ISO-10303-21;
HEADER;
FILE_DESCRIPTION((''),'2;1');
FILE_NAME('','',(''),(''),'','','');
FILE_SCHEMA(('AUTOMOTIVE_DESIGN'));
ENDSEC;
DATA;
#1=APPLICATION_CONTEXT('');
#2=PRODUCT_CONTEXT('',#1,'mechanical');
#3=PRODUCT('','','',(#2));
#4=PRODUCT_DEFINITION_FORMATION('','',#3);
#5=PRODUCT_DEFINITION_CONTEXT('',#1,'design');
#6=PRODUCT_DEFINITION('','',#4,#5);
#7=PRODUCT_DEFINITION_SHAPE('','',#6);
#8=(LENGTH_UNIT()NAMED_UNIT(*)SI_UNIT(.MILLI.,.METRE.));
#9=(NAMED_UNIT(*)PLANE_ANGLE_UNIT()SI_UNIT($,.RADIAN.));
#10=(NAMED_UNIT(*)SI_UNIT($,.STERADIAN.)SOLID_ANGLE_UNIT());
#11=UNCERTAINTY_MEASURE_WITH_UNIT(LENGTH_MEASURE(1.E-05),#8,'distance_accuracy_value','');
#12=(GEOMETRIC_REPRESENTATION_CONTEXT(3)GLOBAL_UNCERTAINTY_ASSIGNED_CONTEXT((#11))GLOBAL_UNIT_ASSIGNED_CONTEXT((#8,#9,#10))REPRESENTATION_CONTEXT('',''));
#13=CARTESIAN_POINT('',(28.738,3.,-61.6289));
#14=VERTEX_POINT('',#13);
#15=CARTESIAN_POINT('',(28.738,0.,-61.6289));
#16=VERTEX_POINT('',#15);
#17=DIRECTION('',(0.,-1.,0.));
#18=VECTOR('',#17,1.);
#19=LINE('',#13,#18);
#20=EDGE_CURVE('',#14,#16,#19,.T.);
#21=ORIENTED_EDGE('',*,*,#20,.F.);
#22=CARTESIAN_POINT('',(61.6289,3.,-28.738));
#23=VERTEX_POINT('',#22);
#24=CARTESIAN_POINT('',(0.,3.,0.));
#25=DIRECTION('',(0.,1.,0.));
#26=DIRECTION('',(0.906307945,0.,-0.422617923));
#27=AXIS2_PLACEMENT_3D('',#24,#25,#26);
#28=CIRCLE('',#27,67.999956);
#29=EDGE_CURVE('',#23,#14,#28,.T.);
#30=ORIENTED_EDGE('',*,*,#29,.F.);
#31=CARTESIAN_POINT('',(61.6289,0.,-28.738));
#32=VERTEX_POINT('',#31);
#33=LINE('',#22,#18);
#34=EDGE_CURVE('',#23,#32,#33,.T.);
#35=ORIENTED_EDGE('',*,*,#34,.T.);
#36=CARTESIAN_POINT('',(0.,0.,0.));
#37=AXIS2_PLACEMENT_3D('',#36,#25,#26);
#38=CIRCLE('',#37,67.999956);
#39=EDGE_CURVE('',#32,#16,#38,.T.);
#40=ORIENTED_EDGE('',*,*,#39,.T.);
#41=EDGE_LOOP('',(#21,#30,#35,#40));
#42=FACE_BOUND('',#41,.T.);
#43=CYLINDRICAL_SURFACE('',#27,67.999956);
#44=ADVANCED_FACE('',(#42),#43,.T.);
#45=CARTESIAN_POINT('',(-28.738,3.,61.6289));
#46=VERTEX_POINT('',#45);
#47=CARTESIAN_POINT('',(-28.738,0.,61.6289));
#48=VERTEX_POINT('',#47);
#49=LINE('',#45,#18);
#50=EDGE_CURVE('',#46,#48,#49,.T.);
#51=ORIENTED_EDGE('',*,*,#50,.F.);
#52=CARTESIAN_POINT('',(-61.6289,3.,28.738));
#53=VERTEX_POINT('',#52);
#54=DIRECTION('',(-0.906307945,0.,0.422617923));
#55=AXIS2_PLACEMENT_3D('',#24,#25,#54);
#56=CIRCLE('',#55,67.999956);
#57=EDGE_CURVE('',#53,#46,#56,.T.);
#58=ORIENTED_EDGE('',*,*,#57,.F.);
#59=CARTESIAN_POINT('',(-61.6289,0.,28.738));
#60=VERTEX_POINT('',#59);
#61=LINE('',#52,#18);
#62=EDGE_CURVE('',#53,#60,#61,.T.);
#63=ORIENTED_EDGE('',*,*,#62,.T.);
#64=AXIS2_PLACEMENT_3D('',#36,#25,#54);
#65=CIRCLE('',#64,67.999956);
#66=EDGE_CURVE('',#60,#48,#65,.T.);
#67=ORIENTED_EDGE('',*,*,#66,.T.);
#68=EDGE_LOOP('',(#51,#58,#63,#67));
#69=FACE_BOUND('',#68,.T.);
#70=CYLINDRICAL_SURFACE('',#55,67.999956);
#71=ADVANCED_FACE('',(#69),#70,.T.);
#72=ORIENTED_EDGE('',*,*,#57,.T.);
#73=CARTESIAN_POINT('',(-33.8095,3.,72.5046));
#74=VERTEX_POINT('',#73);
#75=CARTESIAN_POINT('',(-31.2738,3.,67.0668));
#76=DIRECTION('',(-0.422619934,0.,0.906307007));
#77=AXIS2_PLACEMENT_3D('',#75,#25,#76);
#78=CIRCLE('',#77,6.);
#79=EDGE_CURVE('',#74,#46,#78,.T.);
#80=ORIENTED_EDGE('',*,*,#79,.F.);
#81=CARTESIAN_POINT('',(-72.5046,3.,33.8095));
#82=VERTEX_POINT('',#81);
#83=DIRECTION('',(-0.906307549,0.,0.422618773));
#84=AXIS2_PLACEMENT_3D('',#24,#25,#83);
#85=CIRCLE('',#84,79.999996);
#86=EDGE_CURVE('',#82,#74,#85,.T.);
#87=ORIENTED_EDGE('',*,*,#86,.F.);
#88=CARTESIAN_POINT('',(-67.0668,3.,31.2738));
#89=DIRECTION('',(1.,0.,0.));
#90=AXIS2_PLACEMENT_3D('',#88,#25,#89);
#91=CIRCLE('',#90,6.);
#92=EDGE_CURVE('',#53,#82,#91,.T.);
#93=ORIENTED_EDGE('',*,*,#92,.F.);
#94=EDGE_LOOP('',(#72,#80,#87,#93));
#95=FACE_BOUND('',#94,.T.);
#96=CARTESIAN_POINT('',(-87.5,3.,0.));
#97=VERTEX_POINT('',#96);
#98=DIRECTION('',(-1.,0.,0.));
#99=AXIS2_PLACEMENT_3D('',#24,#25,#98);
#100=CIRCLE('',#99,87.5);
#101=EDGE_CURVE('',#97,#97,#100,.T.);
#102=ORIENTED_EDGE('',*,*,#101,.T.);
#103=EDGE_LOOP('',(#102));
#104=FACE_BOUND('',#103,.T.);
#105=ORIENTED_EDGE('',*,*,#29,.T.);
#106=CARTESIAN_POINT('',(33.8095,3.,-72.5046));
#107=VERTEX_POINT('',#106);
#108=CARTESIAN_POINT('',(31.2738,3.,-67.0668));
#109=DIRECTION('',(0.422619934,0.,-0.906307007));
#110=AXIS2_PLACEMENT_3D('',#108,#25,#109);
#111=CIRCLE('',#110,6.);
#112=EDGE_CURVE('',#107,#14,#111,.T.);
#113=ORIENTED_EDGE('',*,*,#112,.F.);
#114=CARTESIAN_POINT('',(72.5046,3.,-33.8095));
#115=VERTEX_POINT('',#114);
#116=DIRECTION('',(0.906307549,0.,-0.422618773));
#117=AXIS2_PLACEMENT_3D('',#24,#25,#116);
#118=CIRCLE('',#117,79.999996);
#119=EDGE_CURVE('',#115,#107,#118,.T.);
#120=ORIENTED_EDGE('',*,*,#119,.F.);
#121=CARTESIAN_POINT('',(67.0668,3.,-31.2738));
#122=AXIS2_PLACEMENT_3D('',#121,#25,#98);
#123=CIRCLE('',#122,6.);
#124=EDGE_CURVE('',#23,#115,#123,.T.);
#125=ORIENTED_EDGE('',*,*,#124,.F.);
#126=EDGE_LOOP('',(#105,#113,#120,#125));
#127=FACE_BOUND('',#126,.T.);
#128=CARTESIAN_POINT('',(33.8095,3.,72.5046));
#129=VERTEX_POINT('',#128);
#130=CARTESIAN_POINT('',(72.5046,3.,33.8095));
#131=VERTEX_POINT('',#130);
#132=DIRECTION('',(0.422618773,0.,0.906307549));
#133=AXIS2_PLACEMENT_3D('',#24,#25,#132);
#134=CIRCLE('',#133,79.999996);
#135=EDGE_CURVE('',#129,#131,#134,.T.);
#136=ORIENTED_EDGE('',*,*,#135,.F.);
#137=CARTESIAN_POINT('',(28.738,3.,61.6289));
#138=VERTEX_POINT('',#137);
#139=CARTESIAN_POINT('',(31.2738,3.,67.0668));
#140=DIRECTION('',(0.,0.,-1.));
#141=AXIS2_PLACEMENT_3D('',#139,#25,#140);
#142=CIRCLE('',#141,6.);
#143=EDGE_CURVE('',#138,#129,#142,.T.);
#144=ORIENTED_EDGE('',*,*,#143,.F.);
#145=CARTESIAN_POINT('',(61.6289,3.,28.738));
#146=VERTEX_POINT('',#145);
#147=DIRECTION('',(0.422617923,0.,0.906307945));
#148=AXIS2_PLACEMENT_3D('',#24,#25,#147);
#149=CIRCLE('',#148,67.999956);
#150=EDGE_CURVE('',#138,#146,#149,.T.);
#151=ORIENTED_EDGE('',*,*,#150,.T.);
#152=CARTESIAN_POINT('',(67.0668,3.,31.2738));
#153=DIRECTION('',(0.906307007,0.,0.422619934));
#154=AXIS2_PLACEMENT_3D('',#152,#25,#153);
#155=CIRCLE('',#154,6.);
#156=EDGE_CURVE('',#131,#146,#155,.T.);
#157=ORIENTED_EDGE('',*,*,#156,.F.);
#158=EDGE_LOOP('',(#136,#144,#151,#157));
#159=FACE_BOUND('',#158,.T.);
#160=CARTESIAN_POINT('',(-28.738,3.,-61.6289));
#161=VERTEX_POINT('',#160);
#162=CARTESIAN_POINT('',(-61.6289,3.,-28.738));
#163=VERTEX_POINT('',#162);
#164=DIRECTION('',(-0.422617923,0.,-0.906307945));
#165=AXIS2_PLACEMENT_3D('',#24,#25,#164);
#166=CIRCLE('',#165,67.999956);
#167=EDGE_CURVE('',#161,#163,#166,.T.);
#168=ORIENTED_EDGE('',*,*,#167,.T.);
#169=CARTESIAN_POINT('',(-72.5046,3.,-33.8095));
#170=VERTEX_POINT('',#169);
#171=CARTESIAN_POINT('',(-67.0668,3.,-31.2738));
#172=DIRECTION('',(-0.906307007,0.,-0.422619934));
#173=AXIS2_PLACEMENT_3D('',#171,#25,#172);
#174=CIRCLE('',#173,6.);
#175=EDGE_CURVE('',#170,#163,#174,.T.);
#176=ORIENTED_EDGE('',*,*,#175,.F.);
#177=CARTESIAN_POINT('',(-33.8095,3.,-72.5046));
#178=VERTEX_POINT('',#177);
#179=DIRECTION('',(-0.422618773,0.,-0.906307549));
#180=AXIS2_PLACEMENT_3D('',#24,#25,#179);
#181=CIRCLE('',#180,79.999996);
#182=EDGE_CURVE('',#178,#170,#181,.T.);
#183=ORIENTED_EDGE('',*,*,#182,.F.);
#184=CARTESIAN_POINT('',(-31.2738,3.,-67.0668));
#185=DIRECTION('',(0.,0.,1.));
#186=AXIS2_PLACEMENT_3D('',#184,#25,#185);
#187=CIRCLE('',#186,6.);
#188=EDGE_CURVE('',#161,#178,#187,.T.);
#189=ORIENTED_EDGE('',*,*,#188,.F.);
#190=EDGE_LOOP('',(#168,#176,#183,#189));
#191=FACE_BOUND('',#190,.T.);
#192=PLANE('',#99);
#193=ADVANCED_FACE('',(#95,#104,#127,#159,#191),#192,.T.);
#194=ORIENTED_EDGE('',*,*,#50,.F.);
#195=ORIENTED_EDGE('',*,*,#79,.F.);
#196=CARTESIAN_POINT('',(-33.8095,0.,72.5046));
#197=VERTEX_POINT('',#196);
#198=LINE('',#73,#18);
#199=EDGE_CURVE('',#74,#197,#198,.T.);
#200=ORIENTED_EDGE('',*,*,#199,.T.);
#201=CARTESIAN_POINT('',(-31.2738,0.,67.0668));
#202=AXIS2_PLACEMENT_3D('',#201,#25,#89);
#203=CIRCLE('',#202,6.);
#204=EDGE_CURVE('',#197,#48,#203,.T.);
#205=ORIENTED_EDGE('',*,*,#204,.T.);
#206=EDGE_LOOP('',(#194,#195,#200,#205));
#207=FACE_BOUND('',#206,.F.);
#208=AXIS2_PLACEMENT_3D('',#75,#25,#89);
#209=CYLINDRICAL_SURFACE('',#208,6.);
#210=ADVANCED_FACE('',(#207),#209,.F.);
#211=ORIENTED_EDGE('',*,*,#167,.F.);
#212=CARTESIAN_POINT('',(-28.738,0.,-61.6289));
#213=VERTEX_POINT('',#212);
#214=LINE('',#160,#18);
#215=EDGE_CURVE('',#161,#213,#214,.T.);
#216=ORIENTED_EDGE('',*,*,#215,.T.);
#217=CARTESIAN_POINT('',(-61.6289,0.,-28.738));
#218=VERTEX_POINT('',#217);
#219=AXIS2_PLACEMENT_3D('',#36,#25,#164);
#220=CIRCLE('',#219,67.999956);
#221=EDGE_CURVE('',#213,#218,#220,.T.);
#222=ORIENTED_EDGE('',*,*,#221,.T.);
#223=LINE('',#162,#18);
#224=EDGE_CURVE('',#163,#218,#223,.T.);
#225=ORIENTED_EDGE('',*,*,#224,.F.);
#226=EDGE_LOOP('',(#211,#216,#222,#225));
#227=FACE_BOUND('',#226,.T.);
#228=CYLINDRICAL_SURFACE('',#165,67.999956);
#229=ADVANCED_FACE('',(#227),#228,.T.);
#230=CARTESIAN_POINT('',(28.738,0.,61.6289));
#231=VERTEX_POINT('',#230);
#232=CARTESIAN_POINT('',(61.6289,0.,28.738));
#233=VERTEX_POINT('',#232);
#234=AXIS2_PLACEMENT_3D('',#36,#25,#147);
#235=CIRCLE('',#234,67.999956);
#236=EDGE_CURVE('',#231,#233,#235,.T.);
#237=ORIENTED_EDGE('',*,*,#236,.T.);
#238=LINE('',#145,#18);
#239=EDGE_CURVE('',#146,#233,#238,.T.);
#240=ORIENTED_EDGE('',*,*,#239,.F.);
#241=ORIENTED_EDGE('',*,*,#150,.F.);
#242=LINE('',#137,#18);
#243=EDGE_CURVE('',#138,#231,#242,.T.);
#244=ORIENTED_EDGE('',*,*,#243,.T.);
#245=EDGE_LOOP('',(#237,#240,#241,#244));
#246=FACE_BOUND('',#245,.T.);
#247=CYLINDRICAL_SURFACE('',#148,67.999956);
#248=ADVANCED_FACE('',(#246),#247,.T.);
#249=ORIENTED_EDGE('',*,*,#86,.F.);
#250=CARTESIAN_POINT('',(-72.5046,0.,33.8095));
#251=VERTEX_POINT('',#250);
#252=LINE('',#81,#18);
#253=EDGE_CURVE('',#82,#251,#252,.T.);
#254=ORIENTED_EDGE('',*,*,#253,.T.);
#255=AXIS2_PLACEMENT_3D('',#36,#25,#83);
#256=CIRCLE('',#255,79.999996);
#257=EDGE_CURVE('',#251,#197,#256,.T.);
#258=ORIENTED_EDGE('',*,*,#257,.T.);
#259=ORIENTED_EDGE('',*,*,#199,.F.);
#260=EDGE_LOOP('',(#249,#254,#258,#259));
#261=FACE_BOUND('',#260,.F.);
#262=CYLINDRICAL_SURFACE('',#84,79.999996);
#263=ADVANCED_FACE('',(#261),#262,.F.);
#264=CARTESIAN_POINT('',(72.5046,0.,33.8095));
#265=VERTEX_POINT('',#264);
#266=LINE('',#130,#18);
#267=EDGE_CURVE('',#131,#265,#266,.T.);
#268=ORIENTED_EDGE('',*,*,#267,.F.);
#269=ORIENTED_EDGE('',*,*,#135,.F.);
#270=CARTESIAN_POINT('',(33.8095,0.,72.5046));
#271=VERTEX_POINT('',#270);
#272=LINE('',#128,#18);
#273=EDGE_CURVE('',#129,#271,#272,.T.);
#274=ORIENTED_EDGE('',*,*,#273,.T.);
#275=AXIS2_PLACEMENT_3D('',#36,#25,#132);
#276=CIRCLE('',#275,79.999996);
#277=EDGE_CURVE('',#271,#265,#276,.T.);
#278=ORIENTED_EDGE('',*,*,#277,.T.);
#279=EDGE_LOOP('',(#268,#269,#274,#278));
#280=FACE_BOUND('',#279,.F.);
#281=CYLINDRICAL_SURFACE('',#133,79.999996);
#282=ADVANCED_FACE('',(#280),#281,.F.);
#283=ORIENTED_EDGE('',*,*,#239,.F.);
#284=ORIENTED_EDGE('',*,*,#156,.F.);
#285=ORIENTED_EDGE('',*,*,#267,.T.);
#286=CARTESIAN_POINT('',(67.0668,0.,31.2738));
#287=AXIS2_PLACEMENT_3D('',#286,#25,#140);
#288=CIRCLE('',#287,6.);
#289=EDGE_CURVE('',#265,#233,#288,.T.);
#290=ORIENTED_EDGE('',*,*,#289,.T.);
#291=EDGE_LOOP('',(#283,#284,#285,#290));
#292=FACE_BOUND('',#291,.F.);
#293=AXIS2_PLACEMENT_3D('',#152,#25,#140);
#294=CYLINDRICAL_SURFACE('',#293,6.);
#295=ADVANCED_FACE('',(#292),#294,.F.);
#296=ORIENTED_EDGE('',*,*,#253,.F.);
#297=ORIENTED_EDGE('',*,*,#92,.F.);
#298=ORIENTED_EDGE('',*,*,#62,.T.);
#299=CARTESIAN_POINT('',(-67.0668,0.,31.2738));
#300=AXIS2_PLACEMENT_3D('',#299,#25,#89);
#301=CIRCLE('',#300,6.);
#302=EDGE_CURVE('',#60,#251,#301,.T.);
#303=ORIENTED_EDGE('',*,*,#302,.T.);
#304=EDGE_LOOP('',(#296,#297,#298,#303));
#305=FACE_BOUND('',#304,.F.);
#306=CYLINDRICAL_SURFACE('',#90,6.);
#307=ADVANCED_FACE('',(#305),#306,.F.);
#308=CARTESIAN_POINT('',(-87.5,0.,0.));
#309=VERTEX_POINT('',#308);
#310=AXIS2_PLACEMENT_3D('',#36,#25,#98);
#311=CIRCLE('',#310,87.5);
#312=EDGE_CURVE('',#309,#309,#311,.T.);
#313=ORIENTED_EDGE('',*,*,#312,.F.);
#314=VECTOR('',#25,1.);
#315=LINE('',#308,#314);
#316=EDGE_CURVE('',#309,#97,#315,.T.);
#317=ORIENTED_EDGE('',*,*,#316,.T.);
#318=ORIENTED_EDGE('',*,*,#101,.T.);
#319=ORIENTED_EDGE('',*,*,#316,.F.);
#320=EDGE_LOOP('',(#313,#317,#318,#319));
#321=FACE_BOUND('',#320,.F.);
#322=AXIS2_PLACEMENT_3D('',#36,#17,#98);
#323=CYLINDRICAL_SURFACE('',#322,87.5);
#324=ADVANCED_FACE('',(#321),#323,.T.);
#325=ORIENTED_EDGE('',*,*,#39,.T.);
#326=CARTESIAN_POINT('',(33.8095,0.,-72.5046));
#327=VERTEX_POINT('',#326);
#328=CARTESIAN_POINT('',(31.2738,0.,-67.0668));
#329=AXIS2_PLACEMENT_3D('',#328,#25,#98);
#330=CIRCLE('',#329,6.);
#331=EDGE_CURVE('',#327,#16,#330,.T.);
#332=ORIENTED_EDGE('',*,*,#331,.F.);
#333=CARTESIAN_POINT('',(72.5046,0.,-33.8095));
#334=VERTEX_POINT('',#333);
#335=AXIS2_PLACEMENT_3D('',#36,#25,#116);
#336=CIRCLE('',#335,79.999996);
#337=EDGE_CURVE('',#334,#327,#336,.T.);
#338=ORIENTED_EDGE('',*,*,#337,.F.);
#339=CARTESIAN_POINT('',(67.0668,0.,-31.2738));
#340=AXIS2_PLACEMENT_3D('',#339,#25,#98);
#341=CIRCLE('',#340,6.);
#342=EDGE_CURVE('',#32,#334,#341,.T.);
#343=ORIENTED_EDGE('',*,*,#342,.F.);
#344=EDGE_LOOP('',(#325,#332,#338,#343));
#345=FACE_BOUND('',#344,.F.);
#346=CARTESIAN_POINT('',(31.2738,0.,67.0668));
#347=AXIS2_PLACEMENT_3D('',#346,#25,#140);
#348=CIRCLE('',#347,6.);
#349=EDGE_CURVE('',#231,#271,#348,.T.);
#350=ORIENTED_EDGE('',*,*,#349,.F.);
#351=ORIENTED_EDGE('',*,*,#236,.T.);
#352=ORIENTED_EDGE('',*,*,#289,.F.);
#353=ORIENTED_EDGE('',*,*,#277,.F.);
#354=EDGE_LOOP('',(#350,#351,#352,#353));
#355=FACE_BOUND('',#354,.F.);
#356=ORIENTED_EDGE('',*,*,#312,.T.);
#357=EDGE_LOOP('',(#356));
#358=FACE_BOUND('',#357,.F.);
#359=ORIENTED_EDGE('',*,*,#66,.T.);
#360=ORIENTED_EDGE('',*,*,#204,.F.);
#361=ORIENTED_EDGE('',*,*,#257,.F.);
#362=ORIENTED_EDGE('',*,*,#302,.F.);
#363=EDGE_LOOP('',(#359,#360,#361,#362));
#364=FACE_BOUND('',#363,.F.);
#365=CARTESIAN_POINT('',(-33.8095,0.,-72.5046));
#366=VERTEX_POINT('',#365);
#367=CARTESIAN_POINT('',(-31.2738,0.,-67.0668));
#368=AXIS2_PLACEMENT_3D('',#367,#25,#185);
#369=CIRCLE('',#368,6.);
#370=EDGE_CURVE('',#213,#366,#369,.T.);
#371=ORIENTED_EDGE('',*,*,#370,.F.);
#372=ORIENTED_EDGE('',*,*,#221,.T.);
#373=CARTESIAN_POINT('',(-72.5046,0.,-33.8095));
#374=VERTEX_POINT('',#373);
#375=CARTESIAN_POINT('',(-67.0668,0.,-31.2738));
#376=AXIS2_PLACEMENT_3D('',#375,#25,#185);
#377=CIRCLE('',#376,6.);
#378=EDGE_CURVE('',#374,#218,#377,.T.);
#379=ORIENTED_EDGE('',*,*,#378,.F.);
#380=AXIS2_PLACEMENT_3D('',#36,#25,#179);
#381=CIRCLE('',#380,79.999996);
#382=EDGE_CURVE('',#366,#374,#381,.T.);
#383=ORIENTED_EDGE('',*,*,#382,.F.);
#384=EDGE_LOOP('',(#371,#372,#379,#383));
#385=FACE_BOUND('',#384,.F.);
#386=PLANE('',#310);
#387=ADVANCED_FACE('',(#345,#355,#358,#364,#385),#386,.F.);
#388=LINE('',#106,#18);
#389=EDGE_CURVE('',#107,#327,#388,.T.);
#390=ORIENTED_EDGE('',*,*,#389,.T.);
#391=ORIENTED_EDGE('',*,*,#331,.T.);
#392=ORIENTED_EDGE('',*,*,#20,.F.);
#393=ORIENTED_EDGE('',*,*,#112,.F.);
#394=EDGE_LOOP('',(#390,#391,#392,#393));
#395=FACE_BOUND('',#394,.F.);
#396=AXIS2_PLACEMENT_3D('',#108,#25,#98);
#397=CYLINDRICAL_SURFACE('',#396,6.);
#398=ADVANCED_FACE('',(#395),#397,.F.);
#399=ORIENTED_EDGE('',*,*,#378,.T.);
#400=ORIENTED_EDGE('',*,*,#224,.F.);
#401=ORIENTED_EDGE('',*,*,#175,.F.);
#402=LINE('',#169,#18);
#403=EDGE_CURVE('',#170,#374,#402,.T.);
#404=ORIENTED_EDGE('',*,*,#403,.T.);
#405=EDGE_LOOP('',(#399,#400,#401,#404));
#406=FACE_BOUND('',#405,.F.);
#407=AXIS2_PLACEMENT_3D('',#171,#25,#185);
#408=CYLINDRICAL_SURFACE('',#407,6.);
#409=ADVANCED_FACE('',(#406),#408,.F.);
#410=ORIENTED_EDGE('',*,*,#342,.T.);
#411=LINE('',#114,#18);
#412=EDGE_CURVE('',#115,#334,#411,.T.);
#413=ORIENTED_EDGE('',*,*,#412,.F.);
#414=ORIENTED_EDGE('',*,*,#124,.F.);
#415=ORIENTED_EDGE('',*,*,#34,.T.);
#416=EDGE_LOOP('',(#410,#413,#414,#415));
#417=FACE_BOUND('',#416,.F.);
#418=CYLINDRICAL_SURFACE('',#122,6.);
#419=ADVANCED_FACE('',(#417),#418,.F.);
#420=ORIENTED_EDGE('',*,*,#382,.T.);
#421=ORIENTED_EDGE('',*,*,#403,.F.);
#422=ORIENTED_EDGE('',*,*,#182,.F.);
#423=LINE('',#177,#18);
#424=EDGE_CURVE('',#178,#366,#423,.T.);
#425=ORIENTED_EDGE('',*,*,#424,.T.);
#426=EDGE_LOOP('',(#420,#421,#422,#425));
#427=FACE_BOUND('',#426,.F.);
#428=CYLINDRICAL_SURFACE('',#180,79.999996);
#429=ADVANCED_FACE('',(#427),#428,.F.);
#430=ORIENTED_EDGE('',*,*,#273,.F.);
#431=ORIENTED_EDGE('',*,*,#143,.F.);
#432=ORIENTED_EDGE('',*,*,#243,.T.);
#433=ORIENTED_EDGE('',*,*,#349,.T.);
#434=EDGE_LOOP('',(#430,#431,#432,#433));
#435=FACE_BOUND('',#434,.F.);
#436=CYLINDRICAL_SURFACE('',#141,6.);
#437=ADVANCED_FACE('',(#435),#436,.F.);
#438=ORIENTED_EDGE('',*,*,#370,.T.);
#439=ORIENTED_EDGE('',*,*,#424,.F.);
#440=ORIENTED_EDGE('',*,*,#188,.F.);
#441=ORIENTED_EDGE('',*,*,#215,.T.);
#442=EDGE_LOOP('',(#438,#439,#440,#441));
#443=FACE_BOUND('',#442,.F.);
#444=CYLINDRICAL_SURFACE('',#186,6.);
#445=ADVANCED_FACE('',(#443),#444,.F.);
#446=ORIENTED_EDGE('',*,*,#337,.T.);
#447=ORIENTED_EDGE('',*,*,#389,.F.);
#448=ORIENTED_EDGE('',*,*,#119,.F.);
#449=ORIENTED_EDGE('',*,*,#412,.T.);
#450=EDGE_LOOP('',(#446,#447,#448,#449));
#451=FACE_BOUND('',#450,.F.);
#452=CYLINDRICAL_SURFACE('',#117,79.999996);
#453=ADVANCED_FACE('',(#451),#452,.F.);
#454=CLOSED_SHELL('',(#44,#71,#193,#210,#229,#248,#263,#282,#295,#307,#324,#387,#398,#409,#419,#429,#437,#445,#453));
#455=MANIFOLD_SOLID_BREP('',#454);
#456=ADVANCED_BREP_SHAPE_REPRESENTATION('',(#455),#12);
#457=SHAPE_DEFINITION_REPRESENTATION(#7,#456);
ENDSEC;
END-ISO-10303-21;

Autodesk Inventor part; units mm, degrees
ref_plane "YZ Plane" through (0, 0, 0) normal (1, 0, 0) x (0, 1, 0)
ref_plane "XZ Plane" through (0, 0, 0) normal (0, 1, 0) x (-1, 0, 0)
ref_plane "XY Plane" through (0, 0, 0) normal (0, 0, 1) x (1, 0, 0)
sketch "Sketch1" plane through (0, 0, 0) normal (0, 1, 0) x (-1, 0, 0)
  circle A0 centre (0, 0) radius 87.5
  dimension "d0" = 175
extrude "Plate1" add sketch "Sketch1" along normal blind 3
sketch "Sketch2" plane through (0, 3, 0) normal (0, 1, 0) x (1, 0, 0)
  line L0 (-40, -40) -> (40, -40) construction
  line L1 (40, -40) -> (40, 40) construction
  line L2 (40, 40) -> (-40, 40) construction
  line L3 (-40, 40) -> (-40, -40) construction
  line L4 (-40, -40) -> (40, 40) construction
  circle A0 centre (0, 0) radius 87.5 projected
  circle A1 centre (0, 0) radius 74 construction
  circle A2 centre (-67.0668, -31.2738) radius 6
  line L5 (-67.0668, -31.2738) -> (0, 0) construction
  circle A3 centre (-31.2738, -67.0668) radius 6
  line L6 (-31.2738, -67.0668) -> (0, 0) construction
  arc A4 (-72.5046, -33.8095) -> (-33.8095, -72.5046) centre (0, 0) ccw
  arc A5 (-61.6289, -28.738) -> (-28.738, -61.6289) centre (0, 0) ccw
  point P0 (-61.6289, -28.738)
  point P1 (-28.738, -61.6289)
  dimension "d7" = 12
  dimension "d9" = 12
  dimension "d2" = 80
  dimension "d3" = 80
  dimension "d16" = 40
  dimension "d17" = 20
  dimension "d18" = 13.5
extrude "Extrusion1" cut sketch "Sketch2" against normal through all contours A2 | A2 A5 A3 A4 | A3
pattern_circular "Circular Pattern1" count 4 over 360 about axis through (0, -10, 0) along (0, 1, 0) of "Extrusion1"
equation "\"d9\" = d7"
equation "\"BendReliefWidth\" = Thickness"
equation "\"BendReliefDepth\" = 0.5 * Thickness"
equation "\"CornerReliefSize\" = 4 * Thickness"
equation "\"MinimumRemnant\" = 2 * Thickness"
equation "\"TransitionRadius\" = BendRadius"
equation "\"JacobiRadiusSize\" = BendRadius"
equation "\"GapSize\" = Thickness"
properties part number "MSC 126 flange frame" material "Stainless Steel"
